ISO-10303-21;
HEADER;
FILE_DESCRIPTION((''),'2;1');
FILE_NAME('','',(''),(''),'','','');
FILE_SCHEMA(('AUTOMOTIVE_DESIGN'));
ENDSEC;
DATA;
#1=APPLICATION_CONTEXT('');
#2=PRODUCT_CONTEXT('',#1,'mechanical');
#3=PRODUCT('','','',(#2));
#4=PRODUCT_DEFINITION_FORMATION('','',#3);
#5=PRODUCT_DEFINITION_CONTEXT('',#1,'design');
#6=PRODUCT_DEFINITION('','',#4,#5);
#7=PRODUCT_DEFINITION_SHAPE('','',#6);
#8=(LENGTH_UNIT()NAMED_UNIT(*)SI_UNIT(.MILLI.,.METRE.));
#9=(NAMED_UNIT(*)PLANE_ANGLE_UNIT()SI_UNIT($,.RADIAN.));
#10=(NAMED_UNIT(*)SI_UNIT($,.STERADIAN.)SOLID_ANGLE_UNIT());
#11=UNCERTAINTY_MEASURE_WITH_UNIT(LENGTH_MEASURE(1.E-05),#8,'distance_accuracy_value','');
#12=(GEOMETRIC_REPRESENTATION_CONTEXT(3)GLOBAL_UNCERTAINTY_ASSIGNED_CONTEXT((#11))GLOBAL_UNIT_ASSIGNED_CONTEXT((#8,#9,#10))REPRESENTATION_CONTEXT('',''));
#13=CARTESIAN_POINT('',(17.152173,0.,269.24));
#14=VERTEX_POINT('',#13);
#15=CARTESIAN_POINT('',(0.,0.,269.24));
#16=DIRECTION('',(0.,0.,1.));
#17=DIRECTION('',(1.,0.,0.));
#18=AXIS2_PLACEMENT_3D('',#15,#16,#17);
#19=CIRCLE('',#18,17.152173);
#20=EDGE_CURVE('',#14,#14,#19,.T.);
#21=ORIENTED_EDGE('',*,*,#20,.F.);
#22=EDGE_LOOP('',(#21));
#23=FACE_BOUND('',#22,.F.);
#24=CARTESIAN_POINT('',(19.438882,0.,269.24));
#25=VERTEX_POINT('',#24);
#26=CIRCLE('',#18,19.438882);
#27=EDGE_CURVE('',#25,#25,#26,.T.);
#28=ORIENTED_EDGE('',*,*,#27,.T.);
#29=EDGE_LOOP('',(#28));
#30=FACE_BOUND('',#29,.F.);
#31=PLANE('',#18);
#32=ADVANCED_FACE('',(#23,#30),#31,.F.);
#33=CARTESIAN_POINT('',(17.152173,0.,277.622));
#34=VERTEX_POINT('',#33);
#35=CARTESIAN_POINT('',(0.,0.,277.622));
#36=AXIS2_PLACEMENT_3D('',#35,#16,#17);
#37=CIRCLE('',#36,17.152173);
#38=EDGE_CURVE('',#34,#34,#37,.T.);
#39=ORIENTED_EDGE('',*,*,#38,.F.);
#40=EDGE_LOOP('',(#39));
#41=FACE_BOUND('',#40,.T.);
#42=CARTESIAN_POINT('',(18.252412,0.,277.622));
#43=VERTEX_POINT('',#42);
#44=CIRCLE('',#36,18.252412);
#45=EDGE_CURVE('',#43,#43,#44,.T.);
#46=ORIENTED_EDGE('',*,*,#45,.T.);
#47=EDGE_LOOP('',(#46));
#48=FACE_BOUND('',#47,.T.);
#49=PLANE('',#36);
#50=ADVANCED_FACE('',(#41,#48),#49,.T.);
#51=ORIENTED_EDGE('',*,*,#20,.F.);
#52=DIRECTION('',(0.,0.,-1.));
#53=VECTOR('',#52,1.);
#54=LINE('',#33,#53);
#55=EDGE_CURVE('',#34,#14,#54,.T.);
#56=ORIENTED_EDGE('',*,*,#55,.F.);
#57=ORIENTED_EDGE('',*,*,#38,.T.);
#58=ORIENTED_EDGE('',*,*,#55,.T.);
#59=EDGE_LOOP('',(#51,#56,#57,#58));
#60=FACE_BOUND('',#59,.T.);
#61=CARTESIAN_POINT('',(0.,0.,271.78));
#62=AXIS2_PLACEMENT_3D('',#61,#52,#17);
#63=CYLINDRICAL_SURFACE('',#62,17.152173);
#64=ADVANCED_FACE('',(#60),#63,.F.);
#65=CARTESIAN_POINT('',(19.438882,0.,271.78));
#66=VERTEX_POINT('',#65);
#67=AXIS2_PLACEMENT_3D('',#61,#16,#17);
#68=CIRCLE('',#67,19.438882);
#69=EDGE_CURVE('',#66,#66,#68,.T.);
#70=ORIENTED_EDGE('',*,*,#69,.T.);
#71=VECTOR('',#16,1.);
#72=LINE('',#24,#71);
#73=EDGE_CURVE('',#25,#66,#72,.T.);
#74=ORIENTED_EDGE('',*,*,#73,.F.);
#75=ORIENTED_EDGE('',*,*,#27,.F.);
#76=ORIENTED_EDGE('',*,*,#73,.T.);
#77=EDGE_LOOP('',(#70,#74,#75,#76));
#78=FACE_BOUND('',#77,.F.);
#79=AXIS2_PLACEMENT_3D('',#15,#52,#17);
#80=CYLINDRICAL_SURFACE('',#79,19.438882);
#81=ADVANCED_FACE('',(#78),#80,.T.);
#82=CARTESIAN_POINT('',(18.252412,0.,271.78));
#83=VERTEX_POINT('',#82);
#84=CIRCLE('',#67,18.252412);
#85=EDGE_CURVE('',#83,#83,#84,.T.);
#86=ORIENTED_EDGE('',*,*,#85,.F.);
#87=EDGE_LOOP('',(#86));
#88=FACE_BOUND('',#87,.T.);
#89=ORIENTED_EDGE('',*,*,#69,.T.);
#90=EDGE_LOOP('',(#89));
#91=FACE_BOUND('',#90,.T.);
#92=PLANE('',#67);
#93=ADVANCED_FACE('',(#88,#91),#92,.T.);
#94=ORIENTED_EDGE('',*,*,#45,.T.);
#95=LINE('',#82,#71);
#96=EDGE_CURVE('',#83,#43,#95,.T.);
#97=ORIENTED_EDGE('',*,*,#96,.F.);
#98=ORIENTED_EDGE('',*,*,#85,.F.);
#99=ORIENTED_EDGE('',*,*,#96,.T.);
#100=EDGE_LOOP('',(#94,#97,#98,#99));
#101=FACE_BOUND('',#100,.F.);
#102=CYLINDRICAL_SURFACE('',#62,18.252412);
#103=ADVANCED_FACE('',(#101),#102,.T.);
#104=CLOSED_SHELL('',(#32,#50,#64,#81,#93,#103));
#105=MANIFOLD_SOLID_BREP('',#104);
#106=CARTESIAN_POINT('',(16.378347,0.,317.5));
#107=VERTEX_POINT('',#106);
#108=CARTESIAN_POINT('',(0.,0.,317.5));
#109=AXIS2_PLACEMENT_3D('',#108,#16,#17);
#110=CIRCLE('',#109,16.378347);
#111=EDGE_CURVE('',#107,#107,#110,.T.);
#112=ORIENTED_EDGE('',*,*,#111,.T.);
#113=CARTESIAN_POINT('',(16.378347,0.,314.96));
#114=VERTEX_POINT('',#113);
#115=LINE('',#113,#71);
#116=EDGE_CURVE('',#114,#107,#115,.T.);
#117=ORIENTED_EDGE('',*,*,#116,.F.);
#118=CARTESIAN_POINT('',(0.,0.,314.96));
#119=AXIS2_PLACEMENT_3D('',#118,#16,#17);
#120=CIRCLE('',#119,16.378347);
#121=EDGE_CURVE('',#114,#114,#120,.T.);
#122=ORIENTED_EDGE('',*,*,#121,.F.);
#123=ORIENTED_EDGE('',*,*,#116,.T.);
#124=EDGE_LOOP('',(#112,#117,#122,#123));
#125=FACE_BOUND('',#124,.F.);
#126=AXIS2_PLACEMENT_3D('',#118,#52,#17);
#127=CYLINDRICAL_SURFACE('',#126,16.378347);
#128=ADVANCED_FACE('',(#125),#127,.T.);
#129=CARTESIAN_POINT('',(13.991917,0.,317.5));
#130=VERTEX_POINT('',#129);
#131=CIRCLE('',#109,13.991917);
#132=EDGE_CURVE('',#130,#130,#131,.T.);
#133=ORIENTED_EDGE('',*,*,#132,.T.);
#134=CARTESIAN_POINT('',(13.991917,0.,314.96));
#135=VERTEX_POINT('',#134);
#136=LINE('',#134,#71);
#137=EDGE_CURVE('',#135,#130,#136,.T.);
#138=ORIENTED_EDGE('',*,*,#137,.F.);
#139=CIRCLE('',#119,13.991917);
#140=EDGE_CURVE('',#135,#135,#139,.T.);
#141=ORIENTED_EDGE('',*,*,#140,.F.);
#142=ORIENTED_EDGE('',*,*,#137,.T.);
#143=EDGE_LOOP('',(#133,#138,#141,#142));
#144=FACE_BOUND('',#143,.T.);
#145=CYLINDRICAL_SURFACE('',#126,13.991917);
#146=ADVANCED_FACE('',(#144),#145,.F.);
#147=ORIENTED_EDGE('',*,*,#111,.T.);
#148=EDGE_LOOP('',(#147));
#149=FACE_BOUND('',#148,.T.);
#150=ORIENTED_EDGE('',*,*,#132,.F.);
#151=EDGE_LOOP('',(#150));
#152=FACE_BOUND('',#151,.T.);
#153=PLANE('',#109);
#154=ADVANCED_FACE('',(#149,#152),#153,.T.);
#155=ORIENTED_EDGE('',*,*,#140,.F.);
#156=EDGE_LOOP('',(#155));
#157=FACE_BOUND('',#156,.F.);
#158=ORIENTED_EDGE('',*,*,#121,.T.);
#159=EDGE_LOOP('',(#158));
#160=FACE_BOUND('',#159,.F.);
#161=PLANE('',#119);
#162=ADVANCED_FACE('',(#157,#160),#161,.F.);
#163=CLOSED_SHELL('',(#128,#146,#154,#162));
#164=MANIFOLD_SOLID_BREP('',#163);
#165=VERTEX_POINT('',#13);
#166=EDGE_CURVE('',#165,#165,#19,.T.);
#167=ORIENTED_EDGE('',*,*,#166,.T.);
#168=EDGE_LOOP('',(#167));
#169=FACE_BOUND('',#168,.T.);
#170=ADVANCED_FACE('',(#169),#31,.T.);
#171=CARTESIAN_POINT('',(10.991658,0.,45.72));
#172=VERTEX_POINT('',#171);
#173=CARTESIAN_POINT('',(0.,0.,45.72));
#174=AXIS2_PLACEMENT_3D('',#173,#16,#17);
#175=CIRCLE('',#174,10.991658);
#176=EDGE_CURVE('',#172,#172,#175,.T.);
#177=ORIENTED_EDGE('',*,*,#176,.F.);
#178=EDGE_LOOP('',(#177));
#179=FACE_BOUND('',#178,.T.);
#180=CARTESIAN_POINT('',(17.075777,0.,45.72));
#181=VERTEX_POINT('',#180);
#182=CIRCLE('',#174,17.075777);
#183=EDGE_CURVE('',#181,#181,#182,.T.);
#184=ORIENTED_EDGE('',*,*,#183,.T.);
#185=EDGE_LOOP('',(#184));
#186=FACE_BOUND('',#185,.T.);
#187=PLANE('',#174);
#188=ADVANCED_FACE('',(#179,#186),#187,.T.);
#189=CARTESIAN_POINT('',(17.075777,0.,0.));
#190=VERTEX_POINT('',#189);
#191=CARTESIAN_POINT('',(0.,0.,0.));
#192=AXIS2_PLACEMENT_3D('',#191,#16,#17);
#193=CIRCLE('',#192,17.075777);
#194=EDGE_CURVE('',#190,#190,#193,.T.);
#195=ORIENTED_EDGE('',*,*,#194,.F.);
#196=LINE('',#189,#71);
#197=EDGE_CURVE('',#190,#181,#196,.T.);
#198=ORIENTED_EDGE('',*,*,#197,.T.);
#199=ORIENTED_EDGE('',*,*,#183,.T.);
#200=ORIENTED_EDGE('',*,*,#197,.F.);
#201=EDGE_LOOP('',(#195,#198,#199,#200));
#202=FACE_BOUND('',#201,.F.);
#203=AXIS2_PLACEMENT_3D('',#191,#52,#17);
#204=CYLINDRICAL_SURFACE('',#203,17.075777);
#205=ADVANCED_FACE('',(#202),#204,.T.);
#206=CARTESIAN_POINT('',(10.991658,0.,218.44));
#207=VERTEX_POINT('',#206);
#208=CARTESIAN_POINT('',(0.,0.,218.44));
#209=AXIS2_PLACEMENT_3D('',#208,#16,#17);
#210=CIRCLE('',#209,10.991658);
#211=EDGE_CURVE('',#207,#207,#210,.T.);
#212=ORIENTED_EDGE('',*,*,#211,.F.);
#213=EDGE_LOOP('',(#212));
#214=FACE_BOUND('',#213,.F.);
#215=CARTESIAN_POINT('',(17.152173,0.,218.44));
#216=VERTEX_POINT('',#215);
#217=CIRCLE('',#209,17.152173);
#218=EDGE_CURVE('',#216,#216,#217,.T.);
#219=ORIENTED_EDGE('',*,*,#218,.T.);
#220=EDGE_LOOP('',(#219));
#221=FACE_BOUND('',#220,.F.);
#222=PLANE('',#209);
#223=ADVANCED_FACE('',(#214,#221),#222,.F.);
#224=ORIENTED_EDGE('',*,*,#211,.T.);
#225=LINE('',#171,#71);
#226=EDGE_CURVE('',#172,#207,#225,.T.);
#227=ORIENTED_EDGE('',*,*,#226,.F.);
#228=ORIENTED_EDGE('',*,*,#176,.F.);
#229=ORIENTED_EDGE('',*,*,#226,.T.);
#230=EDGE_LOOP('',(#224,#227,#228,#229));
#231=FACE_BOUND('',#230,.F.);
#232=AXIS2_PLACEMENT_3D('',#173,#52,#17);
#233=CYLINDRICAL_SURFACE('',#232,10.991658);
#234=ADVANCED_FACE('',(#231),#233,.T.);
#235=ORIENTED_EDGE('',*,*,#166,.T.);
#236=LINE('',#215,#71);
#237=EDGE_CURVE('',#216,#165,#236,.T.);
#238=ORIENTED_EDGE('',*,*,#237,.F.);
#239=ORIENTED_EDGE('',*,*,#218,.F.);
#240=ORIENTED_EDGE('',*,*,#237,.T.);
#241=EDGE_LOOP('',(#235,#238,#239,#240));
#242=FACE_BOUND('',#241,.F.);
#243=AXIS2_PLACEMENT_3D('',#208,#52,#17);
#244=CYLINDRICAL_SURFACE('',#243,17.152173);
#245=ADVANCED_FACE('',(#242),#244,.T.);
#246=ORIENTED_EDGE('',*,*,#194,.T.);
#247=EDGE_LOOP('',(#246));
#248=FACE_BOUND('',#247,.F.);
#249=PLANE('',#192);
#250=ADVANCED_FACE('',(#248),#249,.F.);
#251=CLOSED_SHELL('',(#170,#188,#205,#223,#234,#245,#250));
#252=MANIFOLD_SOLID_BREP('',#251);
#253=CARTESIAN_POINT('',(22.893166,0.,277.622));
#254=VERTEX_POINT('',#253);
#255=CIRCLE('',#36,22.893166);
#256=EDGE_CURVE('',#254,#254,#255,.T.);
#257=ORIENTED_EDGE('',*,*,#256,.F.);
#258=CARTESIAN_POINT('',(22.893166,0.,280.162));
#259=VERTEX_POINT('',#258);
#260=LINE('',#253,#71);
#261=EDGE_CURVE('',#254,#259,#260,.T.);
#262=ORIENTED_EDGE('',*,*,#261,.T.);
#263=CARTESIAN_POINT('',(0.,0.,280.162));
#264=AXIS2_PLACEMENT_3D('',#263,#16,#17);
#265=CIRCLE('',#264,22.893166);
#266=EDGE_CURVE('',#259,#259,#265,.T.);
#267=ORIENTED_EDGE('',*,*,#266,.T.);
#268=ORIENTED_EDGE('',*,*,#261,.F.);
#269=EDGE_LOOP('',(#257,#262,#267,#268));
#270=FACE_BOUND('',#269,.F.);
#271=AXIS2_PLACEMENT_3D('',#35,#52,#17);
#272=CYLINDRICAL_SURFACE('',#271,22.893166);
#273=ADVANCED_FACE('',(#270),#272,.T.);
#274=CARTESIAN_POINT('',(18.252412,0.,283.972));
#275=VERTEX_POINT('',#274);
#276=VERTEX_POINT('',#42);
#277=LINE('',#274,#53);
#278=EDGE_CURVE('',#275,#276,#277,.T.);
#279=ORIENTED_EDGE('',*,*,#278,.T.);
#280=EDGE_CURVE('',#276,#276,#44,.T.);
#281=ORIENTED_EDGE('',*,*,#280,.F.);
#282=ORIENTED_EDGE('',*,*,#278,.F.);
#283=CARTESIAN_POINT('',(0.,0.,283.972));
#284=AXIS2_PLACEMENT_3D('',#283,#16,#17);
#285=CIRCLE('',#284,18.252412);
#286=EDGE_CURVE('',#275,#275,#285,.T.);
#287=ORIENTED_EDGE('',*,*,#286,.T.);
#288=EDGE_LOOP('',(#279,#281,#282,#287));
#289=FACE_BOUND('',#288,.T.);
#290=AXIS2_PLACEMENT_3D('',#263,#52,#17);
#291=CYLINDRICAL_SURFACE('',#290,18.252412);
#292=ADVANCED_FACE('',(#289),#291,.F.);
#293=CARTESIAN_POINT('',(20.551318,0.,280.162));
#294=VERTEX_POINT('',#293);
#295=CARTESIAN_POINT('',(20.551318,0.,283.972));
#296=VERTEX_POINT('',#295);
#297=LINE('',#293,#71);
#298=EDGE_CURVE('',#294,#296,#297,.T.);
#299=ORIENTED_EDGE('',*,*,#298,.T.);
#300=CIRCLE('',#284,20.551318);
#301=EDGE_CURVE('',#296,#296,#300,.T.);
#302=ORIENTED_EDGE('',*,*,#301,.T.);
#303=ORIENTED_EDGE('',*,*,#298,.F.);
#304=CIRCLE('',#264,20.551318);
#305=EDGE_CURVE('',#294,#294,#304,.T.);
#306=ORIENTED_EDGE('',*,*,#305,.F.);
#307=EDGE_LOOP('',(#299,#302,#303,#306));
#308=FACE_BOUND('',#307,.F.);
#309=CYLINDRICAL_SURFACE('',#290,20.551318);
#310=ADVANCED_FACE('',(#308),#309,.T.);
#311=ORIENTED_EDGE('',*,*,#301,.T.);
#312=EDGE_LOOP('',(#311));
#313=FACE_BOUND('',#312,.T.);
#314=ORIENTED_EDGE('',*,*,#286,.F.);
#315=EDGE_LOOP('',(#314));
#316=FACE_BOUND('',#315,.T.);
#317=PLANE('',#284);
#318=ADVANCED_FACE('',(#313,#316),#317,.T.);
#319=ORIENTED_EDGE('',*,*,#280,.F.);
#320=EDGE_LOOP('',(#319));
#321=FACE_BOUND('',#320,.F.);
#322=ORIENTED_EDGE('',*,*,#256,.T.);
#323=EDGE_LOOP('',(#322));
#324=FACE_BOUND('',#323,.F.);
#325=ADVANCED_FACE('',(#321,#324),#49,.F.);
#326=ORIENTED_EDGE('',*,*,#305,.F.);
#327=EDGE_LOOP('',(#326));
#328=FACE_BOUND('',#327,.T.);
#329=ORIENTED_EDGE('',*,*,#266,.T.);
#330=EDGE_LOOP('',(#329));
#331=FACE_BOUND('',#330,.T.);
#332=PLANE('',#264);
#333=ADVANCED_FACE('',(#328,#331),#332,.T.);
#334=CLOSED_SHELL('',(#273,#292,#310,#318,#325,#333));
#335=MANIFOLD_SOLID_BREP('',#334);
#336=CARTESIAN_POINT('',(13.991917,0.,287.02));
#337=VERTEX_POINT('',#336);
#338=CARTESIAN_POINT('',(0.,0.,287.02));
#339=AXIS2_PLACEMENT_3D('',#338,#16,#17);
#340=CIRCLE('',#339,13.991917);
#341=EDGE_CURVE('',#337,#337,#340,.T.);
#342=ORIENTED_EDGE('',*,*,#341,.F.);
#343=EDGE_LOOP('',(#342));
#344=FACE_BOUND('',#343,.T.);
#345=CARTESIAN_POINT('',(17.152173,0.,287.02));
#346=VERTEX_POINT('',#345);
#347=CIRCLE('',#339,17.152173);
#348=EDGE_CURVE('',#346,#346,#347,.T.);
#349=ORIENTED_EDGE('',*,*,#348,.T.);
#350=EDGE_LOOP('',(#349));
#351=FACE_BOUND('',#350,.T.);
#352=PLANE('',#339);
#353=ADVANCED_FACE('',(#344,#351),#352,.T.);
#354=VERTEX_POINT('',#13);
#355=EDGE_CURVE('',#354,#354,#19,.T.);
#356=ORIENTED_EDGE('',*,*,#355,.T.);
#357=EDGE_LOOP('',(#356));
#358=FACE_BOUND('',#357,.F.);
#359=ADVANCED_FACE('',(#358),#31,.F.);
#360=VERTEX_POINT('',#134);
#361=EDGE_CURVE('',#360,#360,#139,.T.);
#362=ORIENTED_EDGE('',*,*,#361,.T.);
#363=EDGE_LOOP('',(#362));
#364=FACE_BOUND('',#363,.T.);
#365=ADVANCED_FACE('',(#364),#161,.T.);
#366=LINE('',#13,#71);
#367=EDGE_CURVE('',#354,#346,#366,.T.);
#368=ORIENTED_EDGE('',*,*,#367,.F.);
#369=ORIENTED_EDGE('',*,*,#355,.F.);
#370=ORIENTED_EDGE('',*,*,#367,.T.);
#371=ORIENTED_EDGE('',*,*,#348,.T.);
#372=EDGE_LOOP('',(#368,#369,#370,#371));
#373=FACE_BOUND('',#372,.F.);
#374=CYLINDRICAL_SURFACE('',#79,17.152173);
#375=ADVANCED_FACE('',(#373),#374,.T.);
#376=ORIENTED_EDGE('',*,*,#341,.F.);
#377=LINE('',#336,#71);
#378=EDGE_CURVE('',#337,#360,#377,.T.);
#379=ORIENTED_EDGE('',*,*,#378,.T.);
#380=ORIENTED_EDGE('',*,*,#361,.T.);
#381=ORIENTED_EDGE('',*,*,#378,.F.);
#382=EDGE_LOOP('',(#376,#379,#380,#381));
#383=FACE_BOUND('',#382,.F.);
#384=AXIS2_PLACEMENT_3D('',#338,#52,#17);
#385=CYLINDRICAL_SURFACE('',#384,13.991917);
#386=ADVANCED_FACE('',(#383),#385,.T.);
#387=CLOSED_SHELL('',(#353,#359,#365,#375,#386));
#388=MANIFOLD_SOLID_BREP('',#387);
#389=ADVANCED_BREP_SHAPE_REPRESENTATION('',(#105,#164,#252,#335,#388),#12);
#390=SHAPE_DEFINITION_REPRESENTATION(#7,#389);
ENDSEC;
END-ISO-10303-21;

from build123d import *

# Parameters (mm, degrees)
F0_R      = 17.0757771847
F1_DEPTH  = 45.72
F2_R      = 10.9916576932
F3_DEPTH  = 172.72
F5_R      = 17.1521725586
F6_DEPTH  = 50.8
F7_R      = 19.4388820388
F7_R_2    = 17.1521725586
F8_DEPTH  = 2.54
F9_R      = 18.252412193
F9_R_2    = 17.1521725586
F10_DEPTH = 5.842
F11_R     = 22.8931655333
F11_R_2   = 18.252412193
F12_DEPTH = 2.54
F13_R     = 20.551318228
F13_R_2   = 18.252412193
F14_DEPTH = 3.81
F15_DEPTH = 17.78
F17_R     = 13.9919168475
F18_DEPTH = 27.94
F19_R     = 16.3783467145
F19_R_2   = 13.9919168475
F20_DEPTH = 2.54


with BuildPart() as f1:
    # F0 (on Top) → F1 (new body)
    with BuildSketch(Plane.XY):
        Circle(F0_R)
    extrude(amount=F1_DEPTH)

    # F2 (on face) → F3 (join)
    with BuildSketch(Plane.XY.offset(45.72)):
        Circle(F2_R)
    extrude(amount=F3_DEPTH)

    # F5 (on offset) → F6 (join)
    with BuildSketch(Plane.XY.offset(218.44)):
        Circle(F5_R)
    extrude(amount=F6_DEPTH)


with BuildPart() as f8:
    # F7 (on face) → F8 (new body)
    with BuildSketch(Plane.XY.offset(269.24)):
        Circle(F7_R)
        Circle(F7_R_2, mode=Mode.SUBTRACT)
    extrude(amount=F8_DEPTH)

    # F9 (on face) → F10 (join)
    with BuildSketch(Plane.XY.offset(271.78)):
        Circle(F9_R)
        Circle(F9_R_2, mode=Mode.SUBTRACT)
    extrude(amount=F10_DEPTH)


with BuildPart() as f12:
    # F11 (on face) → F12 (new body)
    with BuildSketch(Plane.XY.offset(277.622)):
        Circle(F11_R)
        Circle(F11_R_2, mode=Mode.SUBTRACT)
    extrude(amount=F12_DEPTH)

    # F13 (on face) → F14 (join)
    with BuildSketch(Plane.XY.offset(280.162)):
        Circle(F13_R)
        Circle(F13_R_2, mode=Mode.SUBTRACT)
    extrude(amount=F14_DEPTH)


with BuildPart() as f15:
    # F15 (new): a face of the model
    f15_faces = [f1.part.faces().sort_by_distance(p)[0] for p in [
        (0, 0, 269.24),
    ]]
    extrude(f15_faces, amount=F15_DEPTH)

    # F17 (on face) → F18 (join)
    with BuildSketch(Plane.XY.offset(287.02)):
        Circle(F17_R)
    extrude(amount=F18_DEPTH)


with BuildPart() as f20:
    # F19 (on face) → F20 (new body)
    with BuildSketch(Plane.XY.offset(314.96)):
        Circle(F19_R)
        Circle(F19_R_2, mode=Mode.SUBTRACT)
    extrude(amount=F20_DEPTH)


solid = Compound([f1.part, f8.part, f12.part, f15.part, f20.part])
